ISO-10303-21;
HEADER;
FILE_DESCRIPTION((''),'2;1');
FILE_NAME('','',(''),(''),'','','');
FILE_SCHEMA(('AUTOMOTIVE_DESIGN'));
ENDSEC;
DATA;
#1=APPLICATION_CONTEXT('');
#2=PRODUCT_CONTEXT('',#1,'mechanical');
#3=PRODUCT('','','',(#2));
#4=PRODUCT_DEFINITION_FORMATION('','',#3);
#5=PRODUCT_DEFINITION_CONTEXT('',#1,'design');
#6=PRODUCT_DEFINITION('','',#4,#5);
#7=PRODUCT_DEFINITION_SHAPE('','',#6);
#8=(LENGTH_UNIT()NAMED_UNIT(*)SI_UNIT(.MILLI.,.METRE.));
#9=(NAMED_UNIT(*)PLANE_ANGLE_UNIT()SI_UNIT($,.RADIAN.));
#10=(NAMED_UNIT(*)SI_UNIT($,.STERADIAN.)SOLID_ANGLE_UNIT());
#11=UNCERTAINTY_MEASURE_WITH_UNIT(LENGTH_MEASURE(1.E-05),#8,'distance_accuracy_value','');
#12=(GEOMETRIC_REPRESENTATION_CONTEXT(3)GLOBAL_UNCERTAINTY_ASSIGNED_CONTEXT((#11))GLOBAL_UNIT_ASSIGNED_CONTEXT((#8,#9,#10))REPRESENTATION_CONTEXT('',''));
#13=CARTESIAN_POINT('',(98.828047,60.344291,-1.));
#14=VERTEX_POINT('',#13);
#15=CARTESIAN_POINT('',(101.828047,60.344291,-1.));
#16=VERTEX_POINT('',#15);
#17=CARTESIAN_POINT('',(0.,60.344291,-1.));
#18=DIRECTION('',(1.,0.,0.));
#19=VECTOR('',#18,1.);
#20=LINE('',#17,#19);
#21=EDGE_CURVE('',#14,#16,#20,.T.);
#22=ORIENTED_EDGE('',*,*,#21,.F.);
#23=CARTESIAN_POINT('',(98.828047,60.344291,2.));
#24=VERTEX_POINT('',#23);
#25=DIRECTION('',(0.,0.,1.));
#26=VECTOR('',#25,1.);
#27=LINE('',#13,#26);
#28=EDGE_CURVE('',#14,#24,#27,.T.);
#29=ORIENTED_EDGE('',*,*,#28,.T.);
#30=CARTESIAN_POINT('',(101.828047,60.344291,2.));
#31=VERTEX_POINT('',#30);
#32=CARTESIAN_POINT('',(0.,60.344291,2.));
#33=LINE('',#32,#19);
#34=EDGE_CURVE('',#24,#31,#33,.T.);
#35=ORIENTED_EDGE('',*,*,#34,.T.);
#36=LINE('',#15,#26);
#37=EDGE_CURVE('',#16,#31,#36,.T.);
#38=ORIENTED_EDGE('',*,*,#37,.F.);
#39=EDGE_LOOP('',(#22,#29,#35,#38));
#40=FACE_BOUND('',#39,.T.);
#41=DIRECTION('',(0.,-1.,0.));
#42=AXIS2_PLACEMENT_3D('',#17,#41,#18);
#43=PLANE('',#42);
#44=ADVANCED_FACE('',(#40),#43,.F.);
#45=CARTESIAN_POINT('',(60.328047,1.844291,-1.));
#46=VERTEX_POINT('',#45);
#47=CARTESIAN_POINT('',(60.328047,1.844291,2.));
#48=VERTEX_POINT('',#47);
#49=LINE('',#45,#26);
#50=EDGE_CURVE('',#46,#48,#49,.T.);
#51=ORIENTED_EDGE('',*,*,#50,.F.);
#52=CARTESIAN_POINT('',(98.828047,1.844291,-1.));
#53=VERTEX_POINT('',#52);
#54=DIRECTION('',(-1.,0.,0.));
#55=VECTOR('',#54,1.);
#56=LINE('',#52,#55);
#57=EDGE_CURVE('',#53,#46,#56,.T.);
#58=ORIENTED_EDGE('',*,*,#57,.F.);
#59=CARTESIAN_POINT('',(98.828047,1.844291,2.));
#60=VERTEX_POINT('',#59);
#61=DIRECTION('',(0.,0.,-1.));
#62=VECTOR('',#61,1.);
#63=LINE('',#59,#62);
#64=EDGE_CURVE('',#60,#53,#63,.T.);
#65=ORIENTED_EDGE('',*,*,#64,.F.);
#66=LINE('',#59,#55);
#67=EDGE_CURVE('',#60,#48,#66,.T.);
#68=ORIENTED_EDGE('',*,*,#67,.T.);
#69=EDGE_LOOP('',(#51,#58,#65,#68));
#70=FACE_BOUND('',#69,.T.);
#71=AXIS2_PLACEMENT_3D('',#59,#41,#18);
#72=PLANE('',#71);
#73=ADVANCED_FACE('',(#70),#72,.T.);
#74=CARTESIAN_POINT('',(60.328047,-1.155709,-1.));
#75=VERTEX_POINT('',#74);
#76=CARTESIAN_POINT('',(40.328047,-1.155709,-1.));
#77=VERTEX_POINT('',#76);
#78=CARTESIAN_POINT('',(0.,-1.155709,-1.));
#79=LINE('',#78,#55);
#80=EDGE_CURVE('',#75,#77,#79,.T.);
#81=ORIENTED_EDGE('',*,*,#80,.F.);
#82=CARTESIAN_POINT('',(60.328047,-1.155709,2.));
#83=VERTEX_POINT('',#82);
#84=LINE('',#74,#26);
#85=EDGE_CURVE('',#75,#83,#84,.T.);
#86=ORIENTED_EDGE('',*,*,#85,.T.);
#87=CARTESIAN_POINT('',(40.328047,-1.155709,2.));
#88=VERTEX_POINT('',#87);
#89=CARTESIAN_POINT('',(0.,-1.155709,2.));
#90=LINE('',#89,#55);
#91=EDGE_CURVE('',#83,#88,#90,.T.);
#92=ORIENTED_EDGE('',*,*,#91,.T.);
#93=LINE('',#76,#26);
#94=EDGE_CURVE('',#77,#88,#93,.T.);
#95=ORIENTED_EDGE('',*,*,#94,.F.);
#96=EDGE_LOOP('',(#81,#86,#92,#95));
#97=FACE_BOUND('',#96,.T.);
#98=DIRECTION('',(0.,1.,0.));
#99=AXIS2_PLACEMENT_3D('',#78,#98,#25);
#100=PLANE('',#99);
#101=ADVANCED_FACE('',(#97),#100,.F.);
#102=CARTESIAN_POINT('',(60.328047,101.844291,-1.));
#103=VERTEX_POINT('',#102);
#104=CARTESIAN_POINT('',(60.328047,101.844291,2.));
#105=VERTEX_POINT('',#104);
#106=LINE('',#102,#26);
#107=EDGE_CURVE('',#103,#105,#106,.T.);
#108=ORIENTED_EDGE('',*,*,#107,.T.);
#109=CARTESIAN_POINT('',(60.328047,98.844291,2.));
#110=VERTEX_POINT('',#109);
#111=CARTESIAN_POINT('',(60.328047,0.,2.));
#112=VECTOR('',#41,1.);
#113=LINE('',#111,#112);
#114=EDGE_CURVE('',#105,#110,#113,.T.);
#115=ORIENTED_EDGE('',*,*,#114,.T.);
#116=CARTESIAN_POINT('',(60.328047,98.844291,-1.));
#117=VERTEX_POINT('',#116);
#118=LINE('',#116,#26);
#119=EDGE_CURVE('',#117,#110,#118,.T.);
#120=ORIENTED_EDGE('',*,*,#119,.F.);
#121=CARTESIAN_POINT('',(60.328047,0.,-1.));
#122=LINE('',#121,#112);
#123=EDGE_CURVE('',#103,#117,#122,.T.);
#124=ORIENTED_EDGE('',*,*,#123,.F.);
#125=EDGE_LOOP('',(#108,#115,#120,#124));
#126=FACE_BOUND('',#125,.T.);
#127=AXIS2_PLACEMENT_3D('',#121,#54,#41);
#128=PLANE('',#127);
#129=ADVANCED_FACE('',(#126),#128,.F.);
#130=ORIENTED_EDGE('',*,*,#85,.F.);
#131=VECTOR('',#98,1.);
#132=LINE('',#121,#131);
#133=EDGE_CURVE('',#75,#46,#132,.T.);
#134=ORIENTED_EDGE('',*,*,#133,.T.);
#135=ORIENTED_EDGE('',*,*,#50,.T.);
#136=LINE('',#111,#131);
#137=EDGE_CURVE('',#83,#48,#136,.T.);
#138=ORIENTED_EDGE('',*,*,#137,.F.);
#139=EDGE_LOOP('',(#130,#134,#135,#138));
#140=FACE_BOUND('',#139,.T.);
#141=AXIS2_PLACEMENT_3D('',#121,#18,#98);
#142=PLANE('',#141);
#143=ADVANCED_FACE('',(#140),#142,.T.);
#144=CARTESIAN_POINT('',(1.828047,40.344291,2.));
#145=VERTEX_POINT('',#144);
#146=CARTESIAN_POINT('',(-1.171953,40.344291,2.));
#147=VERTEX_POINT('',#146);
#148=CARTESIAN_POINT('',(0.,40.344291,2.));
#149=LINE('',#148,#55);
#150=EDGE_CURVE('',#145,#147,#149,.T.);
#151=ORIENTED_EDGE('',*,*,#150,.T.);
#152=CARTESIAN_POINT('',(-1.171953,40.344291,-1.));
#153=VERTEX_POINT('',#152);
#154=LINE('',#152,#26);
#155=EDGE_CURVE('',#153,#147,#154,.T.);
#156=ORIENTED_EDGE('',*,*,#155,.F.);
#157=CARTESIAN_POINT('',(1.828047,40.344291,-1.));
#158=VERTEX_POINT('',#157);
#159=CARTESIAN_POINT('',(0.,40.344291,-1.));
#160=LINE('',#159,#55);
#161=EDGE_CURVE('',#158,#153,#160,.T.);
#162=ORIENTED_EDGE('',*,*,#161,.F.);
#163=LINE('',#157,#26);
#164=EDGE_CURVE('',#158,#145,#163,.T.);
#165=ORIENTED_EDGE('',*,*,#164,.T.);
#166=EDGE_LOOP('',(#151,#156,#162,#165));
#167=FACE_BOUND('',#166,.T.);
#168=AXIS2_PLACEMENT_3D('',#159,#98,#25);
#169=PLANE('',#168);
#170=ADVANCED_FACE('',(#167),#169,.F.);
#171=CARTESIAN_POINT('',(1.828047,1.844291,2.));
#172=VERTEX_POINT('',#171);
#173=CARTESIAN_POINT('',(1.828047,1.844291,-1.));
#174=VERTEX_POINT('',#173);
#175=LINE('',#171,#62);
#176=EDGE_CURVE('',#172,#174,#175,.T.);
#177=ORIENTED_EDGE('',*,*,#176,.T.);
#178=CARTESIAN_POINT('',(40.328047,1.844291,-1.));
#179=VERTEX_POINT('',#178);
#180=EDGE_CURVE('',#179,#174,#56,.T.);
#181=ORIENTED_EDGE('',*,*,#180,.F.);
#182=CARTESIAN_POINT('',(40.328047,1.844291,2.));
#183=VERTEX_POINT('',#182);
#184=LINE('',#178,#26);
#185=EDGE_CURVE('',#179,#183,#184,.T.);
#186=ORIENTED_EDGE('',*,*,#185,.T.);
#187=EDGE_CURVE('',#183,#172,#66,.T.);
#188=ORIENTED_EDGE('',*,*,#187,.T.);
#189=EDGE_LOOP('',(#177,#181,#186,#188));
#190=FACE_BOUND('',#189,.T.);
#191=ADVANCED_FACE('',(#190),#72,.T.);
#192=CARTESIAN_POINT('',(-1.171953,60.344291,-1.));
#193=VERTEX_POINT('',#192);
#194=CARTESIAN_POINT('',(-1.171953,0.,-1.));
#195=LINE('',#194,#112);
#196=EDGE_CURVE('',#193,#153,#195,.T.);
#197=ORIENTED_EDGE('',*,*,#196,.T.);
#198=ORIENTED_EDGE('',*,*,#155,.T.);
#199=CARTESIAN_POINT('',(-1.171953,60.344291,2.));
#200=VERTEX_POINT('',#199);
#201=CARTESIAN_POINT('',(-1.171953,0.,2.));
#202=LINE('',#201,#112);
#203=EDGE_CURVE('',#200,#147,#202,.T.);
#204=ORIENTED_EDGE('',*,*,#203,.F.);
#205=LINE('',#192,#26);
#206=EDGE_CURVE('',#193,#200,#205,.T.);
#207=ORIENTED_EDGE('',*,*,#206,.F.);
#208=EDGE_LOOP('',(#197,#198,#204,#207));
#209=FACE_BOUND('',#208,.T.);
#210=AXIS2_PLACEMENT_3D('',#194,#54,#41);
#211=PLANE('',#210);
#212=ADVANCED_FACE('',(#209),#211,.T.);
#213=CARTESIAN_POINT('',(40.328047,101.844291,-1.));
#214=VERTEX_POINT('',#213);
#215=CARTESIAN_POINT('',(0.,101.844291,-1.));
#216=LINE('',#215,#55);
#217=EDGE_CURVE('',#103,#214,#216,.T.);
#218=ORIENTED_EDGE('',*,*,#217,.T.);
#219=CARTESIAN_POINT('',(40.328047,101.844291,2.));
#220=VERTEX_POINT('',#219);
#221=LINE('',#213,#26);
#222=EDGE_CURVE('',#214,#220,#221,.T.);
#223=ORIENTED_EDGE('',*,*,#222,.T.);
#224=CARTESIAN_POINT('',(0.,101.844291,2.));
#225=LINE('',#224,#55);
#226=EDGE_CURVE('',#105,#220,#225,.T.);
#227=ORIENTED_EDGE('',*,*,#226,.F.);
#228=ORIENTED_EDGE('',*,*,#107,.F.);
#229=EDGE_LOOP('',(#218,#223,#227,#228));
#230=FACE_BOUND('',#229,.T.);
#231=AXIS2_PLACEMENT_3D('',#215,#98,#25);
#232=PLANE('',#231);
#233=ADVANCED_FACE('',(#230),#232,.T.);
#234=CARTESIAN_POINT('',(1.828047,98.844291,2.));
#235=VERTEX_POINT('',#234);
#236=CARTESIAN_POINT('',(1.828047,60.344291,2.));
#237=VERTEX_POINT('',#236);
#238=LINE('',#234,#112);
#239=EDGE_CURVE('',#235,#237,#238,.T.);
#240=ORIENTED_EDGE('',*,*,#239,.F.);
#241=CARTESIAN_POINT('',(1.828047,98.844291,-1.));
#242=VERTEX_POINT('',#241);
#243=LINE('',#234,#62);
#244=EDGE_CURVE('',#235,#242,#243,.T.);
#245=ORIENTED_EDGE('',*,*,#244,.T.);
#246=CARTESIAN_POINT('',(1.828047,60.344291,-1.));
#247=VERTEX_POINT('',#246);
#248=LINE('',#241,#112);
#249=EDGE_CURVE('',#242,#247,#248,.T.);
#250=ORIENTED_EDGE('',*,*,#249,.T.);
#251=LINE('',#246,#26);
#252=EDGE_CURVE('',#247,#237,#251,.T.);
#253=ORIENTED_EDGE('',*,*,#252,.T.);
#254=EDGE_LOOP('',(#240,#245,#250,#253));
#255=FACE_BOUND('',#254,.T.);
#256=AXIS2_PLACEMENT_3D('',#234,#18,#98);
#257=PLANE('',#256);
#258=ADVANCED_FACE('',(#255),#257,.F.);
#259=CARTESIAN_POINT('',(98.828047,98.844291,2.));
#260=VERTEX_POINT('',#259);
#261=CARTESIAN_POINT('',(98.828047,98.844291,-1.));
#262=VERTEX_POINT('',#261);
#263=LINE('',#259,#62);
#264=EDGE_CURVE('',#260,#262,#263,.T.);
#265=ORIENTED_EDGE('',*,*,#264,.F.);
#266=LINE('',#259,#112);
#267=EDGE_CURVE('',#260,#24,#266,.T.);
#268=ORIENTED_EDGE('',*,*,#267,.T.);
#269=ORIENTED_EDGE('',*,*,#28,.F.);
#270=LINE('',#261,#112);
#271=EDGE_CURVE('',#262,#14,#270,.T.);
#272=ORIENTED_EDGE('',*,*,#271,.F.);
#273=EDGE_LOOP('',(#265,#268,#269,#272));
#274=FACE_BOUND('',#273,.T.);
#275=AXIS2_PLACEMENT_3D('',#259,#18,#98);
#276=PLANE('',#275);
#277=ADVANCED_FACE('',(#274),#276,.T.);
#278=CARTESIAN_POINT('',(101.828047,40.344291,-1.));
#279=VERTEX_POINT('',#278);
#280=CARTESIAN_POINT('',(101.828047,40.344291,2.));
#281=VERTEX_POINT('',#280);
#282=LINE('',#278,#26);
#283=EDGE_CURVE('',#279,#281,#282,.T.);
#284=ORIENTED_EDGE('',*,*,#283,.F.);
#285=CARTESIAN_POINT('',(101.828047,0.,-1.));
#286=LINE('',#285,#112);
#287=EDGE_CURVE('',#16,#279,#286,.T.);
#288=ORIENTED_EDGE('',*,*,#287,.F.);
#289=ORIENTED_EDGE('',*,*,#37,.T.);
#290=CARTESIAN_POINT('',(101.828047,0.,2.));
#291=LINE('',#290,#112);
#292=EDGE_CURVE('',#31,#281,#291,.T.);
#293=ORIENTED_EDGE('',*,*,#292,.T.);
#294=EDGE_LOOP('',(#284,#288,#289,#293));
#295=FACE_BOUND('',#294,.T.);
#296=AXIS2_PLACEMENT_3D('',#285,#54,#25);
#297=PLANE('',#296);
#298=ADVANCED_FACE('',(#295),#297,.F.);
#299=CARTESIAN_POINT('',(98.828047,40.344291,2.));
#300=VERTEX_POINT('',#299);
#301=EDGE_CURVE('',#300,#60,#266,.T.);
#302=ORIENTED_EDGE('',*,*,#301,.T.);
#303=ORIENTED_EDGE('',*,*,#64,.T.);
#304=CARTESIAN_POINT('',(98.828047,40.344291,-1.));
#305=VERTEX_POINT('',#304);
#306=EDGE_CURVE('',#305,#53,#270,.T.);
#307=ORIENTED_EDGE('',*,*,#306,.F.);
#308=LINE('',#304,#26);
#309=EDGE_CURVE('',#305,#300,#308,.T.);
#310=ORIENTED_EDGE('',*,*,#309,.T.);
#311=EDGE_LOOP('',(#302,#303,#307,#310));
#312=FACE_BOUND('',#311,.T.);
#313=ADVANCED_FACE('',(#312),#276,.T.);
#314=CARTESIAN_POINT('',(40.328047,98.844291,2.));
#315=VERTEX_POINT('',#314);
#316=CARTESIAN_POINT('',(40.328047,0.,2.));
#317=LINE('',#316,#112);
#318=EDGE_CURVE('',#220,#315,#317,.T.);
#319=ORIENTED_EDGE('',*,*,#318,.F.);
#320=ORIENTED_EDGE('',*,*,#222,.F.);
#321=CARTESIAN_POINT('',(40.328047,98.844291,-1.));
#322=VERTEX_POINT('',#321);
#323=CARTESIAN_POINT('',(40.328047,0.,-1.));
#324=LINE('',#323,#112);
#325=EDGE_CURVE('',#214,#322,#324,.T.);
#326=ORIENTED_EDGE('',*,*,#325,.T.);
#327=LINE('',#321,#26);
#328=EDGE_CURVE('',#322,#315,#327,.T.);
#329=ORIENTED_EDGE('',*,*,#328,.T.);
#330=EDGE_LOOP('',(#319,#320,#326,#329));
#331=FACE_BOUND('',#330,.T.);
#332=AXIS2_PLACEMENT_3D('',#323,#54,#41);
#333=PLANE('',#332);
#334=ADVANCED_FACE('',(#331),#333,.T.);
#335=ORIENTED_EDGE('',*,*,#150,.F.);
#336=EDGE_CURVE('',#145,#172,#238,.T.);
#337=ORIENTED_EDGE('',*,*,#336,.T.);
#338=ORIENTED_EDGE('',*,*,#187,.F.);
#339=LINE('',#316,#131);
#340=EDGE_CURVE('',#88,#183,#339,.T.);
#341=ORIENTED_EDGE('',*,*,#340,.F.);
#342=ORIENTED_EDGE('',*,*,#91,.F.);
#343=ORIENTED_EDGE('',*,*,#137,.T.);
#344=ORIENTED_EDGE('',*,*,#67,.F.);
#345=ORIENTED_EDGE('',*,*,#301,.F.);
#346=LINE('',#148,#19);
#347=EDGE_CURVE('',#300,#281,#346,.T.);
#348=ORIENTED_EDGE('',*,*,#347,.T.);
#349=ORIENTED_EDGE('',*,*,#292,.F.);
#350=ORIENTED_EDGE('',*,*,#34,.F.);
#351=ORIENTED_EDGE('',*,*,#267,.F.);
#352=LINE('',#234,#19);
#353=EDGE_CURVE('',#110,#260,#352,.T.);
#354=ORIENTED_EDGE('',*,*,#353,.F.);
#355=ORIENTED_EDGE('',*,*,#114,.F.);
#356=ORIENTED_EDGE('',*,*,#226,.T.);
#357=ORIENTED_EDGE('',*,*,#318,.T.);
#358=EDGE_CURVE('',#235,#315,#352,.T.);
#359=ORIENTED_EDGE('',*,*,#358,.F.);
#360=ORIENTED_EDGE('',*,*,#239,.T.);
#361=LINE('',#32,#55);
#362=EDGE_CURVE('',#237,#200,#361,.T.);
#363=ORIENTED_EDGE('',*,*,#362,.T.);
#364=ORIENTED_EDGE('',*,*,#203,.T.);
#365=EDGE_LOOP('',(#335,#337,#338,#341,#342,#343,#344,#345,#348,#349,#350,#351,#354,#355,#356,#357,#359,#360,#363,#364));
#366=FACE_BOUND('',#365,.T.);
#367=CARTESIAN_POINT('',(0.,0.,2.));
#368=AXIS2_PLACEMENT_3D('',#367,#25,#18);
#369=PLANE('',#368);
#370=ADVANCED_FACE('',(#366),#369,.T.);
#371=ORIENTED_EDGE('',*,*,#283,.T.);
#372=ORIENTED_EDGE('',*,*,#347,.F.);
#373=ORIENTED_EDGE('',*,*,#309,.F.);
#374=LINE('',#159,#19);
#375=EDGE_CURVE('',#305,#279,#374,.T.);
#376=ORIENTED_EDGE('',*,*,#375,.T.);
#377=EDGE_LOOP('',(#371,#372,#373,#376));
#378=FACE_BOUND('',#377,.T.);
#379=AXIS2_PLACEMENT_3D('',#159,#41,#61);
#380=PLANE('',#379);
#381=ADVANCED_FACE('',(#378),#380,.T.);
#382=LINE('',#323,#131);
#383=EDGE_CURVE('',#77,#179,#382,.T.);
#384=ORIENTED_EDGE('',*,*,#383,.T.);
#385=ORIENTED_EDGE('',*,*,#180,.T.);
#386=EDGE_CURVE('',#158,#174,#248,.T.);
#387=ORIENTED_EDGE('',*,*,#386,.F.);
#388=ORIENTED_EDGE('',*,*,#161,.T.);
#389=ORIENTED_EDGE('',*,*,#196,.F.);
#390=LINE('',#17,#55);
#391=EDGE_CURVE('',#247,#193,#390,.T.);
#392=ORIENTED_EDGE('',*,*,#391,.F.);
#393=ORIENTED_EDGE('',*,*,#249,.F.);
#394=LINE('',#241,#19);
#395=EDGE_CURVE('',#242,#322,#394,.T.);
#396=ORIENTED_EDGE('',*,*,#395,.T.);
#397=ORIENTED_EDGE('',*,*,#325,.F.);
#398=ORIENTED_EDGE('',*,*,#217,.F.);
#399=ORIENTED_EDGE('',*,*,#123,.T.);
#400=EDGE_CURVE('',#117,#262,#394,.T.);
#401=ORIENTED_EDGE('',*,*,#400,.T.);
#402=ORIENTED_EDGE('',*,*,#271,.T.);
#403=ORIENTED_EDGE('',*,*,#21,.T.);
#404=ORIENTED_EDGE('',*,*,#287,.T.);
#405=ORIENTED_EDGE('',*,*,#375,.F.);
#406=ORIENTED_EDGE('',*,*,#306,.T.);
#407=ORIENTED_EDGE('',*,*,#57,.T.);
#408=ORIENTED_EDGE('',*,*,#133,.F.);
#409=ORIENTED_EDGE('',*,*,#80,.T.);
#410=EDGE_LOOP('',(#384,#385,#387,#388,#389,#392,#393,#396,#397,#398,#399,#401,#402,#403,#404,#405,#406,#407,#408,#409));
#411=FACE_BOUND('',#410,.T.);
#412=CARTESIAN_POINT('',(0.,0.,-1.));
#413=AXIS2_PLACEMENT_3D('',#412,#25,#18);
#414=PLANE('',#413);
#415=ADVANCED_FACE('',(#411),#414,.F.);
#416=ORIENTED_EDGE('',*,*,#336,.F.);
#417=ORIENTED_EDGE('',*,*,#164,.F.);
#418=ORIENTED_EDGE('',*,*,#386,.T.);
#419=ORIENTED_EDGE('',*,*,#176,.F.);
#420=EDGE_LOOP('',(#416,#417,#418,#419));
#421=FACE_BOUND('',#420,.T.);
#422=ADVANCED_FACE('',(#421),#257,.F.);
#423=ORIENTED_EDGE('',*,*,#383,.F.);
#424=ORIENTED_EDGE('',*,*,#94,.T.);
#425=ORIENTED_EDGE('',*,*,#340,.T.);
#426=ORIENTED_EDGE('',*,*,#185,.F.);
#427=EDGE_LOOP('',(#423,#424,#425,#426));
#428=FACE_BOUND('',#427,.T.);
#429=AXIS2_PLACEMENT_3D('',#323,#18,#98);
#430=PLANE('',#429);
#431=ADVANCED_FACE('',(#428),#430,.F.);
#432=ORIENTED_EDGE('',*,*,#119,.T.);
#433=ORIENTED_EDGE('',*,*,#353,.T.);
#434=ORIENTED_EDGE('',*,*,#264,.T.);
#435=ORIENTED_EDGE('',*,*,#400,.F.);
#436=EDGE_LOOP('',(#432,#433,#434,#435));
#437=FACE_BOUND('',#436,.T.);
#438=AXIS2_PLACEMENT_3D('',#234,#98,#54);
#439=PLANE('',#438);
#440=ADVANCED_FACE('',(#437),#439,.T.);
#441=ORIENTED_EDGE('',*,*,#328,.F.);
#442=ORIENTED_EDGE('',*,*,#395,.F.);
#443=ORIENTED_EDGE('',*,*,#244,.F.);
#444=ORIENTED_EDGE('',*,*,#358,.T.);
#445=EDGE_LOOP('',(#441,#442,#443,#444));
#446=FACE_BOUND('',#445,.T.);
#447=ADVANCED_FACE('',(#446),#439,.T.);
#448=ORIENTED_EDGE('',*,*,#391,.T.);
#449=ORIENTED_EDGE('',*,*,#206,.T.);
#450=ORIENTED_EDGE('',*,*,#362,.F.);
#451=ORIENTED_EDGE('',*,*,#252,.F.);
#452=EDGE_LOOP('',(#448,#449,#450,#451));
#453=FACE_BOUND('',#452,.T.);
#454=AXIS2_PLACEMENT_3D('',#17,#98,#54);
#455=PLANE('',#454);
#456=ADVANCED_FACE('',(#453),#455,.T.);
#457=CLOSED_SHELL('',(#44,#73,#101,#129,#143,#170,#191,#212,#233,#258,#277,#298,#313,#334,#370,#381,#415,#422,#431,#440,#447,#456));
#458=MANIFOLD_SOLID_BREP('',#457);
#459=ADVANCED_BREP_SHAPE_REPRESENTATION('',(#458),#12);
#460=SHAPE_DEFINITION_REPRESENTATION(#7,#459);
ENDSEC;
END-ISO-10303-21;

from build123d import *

# Parameters (mm, degrees)
BOSS_EXTRUDE1_DEPTH      = 2
BOSS_EXTRUDE1_DEPTH_BACK = 1


with BuildPart() as part:
    # Sketch1 → Boss-Extrude1 (new, two sides: drawn at the far end of the back side and taken through both)
    with BuildSketch(Plane.XY.offset(-BOSS_EXTRUDE1_DEPTH_BACK)):
        Polygon((98.82804668, 60.344291492), (98.82804668, 98.844291492), (60.32804668, 98.844291492), (60.32804668, 101.844291492), (40.32804668, 101.844291492), (40.32804668, 98.844291492), (1.82804668, 98.844291492), (1.82804668, 60.344291492), (-1.17195332, 60.344291492), (-1.17195332, 40.344291492), (1.82804668, 40.344291492), (1.82804668, 1.844291492), (40.32804668, 1.844291492), (40.32804668, -1.155708508), (60.32804668, -1.155708508), (60.32804668, 1.844291492), (98.82804668, 1.844291492), (98.82804668, 40.344291492), (101.82804668, 40.344291492), (101.82804668, 60.344291492), align=None)
    extrude(amount=BOSS_EXTRUDE1_DEPTH + BOSS_EXTRUDE1_DEPTH_BACK)


solid = part.part
